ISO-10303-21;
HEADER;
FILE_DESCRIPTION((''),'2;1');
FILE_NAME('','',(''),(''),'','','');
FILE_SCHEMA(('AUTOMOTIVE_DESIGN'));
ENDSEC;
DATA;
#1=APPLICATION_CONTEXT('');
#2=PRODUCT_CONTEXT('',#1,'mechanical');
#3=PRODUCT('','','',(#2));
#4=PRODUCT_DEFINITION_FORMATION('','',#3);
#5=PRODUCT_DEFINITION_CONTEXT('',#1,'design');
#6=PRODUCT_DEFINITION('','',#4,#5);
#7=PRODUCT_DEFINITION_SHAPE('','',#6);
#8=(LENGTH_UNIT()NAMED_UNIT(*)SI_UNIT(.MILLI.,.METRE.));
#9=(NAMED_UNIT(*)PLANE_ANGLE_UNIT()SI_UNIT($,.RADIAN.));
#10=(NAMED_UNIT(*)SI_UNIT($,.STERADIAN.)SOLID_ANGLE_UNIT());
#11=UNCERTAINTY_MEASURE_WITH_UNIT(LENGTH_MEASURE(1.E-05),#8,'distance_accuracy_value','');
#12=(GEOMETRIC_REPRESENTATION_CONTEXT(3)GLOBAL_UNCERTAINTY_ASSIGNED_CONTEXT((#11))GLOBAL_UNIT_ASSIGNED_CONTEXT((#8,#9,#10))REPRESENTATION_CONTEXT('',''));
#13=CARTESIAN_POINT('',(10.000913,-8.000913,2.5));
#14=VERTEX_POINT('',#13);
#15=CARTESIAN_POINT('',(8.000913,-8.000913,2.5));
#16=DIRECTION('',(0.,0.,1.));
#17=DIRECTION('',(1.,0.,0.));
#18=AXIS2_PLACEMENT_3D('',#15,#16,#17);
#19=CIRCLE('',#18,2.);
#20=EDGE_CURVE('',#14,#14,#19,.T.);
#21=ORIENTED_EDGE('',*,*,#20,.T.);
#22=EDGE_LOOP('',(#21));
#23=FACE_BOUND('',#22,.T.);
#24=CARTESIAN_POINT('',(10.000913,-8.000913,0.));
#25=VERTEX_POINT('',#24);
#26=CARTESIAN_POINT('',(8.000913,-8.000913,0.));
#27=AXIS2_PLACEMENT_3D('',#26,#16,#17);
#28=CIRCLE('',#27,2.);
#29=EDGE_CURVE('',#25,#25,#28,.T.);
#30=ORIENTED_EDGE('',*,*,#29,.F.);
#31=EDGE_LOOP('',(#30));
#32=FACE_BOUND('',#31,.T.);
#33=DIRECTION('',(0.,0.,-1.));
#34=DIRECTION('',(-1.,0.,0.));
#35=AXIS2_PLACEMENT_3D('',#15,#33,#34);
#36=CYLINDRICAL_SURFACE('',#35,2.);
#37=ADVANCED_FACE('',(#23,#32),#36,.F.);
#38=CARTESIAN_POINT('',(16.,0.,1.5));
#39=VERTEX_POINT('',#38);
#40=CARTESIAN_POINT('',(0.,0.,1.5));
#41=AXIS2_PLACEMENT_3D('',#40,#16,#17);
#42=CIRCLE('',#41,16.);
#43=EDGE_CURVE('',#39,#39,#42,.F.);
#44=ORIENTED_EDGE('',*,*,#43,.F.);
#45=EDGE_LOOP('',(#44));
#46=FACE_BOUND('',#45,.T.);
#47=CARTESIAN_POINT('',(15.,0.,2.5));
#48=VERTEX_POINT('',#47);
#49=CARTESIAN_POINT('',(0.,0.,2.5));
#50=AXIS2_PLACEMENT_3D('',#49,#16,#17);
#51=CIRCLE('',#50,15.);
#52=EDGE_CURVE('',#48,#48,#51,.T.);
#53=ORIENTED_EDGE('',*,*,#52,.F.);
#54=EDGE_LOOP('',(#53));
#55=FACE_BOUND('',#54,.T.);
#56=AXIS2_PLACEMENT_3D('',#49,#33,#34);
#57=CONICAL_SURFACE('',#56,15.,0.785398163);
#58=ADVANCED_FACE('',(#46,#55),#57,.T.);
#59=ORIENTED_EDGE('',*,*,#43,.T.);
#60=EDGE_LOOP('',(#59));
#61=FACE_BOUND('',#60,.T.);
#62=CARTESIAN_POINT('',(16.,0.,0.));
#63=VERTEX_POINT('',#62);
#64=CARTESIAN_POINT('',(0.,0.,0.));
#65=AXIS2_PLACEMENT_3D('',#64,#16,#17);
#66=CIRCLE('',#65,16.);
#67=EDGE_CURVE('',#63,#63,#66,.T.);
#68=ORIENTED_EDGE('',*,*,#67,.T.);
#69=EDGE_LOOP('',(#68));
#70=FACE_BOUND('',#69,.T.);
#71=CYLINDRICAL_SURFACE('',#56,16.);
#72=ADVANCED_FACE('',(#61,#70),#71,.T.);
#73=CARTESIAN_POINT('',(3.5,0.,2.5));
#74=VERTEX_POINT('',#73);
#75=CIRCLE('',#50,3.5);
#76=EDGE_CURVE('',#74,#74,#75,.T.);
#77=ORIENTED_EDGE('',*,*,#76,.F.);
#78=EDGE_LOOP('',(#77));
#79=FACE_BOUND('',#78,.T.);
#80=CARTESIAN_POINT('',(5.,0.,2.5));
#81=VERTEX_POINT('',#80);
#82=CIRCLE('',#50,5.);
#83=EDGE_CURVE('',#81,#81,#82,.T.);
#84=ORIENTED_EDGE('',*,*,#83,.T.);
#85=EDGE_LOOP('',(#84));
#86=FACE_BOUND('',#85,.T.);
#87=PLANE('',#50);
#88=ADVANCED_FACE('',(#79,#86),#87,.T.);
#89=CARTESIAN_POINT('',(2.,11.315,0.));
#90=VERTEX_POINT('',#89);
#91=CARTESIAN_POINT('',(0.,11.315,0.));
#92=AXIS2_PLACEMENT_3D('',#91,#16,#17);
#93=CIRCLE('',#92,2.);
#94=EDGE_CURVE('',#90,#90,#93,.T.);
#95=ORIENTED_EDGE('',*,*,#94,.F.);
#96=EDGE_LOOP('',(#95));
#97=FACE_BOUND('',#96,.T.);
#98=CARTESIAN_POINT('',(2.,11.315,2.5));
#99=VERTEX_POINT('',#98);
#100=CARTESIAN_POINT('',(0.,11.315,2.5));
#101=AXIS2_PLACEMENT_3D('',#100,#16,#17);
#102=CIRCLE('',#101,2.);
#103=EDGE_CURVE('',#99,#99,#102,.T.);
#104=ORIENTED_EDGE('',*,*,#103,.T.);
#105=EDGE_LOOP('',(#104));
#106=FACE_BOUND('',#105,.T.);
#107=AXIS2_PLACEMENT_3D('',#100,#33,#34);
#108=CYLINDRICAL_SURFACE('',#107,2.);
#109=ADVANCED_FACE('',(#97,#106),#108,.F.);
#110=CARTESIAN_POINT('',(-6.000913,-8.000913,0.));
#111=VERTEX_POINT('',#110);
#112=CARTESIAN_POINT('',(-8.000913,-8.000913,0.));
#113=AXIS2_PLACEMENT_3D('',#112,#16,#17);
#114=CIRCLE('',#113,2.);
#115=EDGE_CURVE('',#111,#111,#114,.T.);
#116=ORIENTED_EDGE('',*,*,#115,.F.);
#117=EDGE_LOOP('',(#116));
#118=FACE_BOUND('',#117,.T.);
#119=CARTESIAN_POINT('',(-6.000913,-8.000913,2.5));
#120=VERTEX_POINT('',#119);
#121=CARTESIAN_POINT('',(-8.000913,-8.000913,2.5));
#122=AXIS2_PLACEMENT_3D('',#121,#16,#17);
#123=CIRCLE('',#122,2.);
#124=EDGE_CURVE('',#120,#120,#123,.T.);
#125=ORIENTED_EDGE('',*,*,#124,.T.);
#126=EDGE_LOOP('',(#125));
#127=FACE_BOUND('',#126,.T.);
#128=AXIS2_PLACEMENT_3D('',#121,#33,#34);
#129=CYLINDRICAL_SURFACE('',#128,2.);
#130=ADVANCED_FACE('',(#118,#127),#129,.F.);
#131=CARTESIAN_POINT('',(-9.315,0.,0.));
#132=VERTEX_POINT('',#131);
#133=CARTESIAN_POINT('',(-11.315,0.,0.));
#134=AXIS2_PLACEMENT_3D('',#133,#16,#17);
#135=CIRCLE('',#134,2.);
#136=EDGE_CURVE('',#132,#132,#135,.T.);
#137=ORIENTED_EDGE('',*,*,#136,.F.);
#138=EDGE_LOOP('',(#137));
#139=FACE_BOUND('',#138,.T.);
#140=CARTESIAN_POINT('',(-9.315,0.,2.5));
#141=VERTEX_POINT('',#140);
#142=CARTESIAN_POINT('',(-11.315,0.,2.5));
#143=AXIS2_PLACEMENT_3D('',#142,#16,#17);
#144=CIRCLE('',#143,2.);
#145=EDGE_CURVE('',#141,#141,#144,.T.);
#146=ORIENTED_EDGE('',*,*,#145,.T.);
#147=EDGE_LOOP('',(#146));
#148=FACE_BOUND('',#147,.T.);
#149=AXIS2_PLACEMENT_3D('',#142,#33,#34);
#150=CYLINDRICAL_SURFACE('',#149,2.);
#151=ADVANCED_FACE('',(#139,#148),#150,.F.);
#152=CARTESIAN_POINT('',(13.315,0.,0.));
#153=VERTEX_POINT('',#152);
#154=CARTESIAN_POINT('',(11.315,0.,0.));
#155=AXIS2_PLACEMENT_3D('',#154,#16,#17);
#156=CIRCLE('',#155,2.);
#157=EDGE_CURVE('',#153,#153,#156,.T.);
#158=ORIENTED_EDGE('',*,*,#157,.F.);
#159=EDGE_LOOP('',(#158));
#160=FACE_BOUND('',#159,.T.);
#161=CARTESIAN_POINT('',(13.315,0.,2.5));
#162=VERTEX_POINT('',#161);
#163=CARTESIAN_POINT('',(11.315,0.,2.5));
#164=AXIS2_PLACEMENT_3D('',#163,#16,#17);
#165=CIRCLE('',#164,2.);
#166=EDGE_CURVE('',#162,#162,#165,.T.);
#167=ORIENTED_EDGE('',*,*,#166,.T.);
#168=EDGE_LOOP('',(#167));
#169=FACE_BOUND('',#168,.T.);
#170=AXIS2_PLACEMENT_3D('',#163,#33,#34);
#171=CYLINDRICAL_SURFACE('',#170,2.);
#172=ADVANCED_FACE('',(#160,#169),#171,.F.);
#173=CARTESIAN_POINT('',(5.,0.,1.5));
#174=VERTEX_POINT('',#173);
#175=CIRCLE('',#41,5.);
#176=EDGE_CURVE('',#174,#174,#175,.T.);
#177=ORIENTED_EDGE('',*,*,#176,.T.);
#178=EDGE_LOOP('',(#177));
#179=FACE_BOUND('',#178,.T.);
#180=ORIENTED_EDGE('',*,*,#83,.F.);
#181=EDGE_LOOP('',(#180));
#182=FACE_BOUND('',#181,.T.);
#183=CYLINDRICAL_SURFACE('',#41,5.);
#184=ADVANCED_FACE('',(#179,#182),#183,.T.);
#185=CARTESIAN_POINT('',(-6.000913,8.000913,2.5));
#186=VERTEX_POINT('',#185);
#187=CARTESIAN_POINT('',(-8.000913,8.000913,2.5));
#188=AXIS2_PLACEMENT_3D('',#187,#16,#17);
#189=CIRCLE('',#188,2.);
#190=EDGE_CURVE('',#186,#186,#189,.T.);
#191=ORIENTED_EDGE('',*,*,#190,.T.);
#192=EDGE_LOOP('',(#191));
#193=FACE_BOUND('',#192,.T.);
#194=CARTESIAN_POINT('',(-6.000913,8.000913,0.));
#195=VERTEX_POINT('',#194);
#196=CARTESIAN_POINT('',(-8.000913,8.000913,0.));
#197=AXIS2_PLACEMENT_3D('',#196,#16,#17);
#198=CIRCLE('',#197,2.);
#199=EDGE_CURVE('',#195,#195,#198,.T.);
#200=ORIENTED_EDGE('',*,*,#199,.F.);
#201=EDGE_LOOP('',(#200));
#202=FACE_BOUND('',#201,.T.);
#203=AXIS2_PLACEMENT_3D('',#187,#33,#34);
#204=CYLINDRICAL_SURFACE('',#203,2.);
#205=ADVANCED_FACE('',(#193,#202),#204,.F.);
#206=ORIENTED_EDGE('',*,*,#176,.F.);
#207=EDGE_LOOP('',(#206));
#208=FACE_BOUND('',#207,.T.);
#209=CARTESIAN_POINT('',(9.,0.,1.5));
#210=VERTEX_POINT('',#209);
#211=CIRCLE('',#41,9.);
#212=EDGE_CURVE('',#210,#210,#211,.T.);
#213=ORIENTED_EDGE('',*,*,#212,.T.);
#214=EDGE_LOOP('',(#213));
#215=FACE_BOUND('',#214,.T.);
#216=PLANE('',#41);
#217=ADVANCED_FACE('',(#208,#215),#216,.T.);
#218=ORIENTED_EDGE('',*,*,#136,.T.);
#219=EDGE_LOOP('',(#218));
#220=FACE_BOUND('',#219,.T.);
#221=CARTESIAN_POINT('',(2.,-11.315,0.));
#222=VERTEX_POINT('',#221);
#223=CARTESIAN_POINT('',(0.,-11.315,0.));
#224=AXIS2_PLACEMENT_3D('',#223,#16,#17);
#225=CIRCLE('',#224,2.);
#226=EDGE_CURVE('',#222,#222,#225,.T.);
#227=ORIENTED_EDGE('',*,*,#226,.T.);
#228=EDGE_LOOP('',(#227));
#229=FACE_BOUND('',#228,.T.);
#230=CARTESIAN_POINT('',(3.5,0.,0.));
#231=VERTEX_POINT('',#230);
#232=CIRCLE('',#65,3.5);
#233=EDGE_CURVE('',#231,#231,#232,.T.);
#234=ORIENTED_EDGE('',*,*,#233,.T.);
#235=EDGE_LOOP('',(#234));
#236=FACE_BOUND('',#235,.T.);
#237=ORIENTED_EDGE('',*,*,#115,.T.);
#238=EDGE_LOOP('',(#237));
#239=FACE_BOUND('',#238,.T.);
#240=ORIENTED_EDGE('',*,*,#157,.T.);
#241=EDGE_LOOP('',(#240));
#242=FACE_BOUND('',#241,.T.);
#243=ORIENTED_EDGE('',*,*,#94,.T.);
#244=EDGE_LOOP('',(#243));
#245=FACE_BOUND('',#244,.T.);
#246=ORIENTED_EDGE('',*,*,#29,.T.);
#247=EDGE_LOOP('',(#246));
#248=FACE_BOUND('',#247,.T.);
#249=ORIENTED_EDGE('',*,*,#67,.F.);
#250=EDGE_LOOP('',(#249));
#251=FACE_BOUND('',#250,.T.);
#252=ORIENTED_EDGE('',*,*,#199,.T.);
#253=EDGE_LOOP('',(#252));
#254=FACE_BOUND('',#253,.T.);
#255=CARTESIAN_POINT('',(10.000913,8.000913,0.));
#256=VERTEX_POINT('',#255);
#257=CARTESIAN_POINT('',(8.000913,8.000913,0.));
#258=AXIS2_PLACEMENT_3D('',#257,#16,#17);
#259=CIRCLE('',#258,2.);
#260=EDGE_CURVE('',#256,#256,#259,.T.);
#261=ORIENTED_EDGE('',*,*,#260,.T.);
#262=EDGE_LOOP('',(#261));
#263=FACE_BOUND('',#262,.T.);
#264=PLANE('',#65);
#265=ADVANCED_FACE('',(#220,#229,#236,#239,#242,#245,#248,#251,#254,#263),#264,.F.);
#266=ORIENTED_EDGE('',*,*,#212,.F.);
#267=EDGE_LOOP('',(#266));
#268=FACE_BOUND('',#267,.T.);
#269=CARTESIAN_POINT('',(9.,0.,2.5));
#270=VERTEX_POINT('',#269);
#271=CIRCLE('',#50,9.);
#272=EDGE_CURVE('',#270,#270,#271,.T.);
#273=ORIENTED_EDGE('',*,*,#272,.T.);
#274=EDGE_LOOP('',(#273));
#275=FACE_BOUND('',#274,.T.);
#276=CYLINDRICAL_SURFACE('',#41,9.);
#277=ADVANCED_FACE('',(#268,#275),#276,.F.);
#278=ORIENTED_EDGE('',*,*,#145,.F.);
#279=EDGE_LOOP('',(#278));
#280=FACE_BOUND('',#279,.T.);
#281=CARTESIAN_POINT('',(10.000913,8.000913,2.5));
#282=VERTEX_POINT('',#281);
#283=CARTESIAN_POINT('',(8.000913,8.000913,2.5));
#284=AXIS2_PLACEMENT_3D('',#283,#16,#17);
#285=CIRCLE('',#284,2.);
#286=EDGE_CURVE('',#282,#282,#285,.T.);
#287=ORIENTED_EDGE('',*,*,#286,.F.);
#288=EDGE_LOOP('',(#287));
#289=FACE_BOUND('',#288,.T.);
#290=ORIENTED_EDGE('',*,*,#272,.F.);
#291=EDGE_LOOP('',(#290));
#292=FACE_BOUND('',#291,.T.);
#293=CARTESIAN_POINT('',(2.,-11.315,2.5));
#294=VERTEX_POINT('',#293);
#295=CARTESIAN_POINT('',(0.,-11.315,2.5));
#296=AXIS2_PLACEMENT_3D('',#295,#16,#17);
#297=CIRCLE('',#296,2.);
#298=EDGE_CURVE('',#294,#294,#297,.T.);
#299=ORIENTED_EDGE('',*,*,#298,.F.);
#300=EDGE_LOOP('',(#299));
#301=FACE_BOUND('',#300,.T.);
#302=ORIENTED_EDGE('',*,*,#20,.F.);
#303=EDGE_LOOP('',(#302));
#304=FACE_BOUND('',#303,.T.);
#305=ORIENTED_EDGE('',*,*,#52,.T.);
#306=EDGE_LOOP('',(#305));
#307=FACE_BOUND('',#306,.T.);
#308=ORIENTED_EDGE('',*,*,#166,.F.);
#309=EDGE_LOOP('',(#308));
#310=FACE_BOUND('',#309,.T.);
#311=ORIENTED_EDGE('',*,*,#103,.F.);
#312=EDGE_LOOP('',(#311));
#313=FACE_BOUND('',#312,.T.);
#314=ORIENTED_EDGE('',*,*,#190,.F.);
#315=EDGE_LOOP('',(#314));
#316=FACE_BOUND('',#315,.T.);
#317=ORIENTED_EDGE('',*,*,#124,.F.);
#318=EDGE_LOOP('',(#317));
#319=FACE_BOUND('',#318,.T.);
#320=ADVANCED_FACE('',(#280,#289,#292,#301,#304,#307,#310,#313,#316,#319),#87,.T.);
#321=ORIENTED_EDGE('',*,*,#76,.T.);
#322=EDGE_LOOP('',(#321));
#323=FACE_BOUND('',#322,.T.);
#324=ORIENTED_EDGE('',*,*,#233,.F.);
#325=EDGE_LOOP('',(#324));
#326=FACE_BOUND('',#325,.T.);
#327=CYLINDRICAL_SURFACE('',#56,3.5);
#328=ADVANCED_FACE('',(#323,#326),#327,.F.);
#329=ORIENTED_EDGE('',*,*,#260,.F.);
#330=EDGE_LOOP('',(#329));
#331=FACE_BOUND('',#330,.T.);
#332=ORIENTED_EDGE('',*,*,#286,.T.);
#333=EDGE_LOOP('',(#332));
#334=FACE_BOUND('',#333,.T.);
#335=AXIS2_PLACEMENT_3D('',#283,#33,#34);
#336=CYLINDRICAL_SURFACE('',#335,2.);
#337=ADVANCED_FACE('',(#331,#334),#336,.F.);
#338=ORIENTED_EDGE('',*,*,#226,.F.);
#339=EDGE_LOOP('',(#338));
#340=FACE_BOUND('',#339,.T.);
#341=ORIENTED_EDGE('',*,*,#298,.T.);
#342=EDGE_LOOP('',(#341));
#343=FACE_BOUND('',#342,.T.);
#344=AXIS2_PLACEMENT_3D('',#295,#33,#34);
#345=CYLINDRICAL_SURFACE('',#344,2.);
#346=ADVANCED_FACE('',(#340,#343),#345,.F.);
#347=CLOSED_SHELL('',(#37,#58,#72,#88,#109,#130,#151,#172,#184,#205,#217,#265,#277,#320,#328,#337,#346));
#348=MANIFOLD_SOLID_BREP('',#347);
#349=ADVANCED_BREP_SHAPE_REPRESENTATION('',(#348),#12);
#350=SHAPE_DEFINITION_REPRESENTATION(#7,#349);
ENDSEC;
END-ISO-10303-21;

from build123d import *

# Parameters (mm, degrees)
SKETCH1_R           = 16
SKETCH1_R_2         = 2
SKETCH1_R_3         = 3.5
BOSS_EXTRUDE1_DEPTH = 2.5
SKETCH2_R           = 9
SKETCH2_R_2         = 5
CUT_EXTRUDE1_DEPTH  = 1
CHAMFER1_SIZE       = 1


with BuildPart() as part:
    # Sketch1 → Boss-Extrude1 (new body)
    with BuildSketch(Plane.XY):
        Circle(SKETCH1_R)
        with Locations((0, 11.315)):
            Circle(SKETCH1_R_2, mode=Mode.SUBTRACT)
        with Locations((8.000913229, 8.000913229)):
            Circle(SKETCH1_R_2, mode=Mode.SUBTRACT)
        with Locations((11.315, 0)):
            Circle(SKETCH1_R_2, mode=Mode.SUBTRACT)
        with Locations((8.000913229, -8.000913229)):
            Circle(SKETCH1_R_2, mode=Mode.SUBTRACT)
        with Locations((0, -11.315)):
            Circle(SKETCH1_R_2, mode=Mode.SUBTRACT)
        with Locations((-8.000913229, -8.000913229)):
            Circle(SKETCH1_R_2, mode=Mode.SUBTRACT)
        with Locations((-11.315, 0)):
            Circle(SKETCH1_R_2, mode=Mode.SUBTRACT)
        with Locations((-8.000913229, 8.000913229)):
            Circle(SKETCH1_R_2, mode=Mode.SUBTRACT)
        Circle(SKETCH1_R_3, mode=Mode.SUBTRACT)
    extrude(amount=BOSS_EXTRUDE1_DEPTH)

    # Sketch2 → Cut-Extrude1 (cut)
    with BuildSketch(Plane.XY.offset(2.5)):
        Circle(SKETCH2_R)
        Circle(SKETCH2_R_2, mode=Mode.SUBTRACT)
    extrude(amount=-CUT_EXTRUDE1_DEPTH, mode=Mode.SUBTRACT)

    # Chamfer1
    chamfer1_edges = [part.edges().sort_by_distance(p)[0] for p in [
        (-16, 0, 2.5),
    ]]
    chamfer(chamfer1_edges, length=CHAMFER1_SIZE)


solid = part.part
